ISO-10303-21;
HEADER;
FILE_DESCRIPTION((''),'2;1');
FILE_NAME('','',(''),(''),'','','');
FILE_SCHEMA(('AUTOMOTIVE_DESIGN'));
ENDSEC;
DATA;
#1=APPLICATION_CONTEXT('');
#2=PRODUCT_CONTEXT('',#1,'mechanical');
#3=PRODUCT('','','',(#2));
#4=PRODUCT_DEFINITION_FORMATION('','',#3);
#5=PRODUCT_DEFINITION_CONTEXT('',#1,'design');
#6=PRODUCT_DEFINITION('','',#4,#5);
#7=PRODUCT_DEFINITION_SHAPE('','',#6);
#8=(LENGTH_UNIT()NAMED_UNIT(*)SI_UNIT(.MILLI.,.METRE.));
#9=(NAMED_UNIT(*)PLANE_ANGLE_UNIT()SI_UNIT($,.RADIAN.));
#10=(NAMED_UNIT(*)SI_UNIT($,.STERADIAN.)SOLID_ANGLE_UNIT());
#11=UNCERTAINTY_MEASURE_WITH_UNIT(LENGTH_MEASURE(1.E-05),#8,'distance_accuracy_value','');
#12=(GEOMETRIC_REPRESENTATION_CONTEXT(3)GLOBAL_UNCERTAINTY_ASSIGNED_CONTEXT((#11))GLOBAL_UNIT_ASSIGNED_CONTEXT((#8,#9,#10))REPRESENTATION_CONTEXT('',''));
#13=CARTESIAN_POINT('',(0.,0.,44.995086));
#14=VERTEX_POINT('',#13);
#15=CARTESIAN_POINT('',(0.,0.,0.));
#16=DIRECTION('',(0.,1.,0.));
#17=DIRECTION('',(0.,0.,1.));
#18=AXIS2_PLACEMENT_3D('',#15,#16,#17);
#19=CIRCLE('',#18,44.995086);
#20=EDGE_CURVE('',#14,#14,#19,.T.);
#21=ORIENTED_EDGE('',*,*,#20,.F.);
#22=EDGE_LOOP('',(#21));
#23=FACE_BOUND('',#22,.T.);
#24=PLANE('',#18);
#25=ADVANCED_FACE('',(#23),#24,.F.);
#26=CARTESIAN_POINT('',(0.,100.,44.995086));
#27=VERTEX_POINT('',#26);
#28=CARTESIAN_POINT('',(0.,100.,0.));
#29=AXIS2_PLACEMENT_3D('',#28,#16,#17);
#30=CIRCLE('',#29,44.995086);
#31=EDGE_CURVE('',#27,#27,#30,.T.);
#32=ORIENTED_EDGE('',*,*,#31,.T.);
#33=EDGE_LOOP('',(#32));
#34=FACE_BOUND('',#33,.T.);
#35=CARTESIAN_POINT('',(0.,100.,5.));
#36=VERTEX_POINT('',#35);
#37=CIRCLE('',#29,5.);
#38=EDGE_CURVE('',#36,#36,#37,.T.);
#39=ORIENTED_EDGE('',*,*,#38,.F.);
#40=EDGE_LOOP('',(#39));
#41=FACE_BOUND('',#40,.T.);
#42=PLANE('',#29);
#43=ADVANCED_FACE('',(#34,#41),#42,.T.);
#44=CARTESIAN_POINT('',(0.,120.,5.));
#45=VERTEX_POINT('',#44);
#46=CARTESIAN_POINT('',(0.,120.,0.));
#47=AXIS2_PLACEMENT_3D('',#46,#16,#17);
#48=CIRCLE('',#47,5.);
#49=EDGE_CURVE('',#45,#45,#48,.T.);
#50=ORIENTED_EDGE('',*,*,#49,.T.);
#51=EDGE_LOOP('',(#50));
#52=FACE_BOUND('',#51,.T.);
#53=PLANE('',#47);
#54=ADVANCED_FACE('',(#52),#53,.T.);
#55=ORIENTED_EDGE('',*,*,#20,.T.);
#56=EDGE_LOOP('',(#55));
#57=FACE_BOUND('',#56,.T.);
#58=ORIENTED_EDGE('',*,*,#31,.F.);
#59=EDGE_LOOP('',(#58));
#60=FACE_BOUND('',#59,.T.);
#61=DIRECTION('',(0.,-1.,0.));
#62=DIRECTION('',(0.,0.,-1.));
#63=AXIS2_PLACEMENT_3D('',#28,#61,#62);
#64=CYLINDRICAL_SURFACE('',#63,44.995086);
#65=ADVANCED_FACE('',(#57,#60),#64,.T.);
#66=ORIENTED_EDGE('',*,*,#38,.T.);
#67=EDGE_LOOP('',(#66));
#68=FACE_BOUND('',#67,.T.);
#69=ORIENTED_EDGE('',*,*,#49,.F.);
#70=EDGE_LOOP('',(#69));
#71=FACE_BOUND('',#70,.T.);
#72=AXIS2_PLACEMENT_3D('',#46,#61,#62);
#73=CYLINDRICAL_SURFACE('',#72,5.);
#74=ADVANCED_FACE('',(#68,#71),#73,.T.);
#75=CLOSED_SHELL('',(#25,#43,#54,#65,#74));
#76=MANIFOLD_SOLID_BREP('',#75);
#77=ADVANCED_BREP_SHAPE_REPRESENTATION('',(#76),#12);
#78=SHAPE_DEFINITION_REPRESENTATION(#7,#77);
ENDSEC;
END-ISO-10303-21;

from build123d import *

# Parameters (mm, degrees)
ESQUISSE1_R        = 44.995085567
BOSS_EXTRU_1_DEPTH = 100
ESQUISSE2_R        = 5
BOSS_EXTRU_2_DEPTH = 20


with BuildPart() as part:
    # Esquisse1 → Boss.-Extru.1 (new body)
    with BuildSketch(Plane(origin=(0, 0, 0), x_dir=(1, 0, 0), z_dir=(0, 1, 0))):
        with Locations(Location((0, 0, 0), (0, 0, 270))):
            Circle(ESQUISSE1_R)
    extrude(amount=BOSS_EXTRU_1_DEPTH)

    # Esquisse2 → Boss.-Extru.2 (add)
    with BuildSketch(Plane(origin=(0, 100, 0), x_dir=(1, 0, 0), z_dir=(0, 1, 0))):
        with Locations(Location((0, 0, 0), (0, 0, 270))):
            Circle(ESQUISSE2_R)
    extrude(amount=BOSS_EXTRU_2_DEPTH)


solid = part.part
